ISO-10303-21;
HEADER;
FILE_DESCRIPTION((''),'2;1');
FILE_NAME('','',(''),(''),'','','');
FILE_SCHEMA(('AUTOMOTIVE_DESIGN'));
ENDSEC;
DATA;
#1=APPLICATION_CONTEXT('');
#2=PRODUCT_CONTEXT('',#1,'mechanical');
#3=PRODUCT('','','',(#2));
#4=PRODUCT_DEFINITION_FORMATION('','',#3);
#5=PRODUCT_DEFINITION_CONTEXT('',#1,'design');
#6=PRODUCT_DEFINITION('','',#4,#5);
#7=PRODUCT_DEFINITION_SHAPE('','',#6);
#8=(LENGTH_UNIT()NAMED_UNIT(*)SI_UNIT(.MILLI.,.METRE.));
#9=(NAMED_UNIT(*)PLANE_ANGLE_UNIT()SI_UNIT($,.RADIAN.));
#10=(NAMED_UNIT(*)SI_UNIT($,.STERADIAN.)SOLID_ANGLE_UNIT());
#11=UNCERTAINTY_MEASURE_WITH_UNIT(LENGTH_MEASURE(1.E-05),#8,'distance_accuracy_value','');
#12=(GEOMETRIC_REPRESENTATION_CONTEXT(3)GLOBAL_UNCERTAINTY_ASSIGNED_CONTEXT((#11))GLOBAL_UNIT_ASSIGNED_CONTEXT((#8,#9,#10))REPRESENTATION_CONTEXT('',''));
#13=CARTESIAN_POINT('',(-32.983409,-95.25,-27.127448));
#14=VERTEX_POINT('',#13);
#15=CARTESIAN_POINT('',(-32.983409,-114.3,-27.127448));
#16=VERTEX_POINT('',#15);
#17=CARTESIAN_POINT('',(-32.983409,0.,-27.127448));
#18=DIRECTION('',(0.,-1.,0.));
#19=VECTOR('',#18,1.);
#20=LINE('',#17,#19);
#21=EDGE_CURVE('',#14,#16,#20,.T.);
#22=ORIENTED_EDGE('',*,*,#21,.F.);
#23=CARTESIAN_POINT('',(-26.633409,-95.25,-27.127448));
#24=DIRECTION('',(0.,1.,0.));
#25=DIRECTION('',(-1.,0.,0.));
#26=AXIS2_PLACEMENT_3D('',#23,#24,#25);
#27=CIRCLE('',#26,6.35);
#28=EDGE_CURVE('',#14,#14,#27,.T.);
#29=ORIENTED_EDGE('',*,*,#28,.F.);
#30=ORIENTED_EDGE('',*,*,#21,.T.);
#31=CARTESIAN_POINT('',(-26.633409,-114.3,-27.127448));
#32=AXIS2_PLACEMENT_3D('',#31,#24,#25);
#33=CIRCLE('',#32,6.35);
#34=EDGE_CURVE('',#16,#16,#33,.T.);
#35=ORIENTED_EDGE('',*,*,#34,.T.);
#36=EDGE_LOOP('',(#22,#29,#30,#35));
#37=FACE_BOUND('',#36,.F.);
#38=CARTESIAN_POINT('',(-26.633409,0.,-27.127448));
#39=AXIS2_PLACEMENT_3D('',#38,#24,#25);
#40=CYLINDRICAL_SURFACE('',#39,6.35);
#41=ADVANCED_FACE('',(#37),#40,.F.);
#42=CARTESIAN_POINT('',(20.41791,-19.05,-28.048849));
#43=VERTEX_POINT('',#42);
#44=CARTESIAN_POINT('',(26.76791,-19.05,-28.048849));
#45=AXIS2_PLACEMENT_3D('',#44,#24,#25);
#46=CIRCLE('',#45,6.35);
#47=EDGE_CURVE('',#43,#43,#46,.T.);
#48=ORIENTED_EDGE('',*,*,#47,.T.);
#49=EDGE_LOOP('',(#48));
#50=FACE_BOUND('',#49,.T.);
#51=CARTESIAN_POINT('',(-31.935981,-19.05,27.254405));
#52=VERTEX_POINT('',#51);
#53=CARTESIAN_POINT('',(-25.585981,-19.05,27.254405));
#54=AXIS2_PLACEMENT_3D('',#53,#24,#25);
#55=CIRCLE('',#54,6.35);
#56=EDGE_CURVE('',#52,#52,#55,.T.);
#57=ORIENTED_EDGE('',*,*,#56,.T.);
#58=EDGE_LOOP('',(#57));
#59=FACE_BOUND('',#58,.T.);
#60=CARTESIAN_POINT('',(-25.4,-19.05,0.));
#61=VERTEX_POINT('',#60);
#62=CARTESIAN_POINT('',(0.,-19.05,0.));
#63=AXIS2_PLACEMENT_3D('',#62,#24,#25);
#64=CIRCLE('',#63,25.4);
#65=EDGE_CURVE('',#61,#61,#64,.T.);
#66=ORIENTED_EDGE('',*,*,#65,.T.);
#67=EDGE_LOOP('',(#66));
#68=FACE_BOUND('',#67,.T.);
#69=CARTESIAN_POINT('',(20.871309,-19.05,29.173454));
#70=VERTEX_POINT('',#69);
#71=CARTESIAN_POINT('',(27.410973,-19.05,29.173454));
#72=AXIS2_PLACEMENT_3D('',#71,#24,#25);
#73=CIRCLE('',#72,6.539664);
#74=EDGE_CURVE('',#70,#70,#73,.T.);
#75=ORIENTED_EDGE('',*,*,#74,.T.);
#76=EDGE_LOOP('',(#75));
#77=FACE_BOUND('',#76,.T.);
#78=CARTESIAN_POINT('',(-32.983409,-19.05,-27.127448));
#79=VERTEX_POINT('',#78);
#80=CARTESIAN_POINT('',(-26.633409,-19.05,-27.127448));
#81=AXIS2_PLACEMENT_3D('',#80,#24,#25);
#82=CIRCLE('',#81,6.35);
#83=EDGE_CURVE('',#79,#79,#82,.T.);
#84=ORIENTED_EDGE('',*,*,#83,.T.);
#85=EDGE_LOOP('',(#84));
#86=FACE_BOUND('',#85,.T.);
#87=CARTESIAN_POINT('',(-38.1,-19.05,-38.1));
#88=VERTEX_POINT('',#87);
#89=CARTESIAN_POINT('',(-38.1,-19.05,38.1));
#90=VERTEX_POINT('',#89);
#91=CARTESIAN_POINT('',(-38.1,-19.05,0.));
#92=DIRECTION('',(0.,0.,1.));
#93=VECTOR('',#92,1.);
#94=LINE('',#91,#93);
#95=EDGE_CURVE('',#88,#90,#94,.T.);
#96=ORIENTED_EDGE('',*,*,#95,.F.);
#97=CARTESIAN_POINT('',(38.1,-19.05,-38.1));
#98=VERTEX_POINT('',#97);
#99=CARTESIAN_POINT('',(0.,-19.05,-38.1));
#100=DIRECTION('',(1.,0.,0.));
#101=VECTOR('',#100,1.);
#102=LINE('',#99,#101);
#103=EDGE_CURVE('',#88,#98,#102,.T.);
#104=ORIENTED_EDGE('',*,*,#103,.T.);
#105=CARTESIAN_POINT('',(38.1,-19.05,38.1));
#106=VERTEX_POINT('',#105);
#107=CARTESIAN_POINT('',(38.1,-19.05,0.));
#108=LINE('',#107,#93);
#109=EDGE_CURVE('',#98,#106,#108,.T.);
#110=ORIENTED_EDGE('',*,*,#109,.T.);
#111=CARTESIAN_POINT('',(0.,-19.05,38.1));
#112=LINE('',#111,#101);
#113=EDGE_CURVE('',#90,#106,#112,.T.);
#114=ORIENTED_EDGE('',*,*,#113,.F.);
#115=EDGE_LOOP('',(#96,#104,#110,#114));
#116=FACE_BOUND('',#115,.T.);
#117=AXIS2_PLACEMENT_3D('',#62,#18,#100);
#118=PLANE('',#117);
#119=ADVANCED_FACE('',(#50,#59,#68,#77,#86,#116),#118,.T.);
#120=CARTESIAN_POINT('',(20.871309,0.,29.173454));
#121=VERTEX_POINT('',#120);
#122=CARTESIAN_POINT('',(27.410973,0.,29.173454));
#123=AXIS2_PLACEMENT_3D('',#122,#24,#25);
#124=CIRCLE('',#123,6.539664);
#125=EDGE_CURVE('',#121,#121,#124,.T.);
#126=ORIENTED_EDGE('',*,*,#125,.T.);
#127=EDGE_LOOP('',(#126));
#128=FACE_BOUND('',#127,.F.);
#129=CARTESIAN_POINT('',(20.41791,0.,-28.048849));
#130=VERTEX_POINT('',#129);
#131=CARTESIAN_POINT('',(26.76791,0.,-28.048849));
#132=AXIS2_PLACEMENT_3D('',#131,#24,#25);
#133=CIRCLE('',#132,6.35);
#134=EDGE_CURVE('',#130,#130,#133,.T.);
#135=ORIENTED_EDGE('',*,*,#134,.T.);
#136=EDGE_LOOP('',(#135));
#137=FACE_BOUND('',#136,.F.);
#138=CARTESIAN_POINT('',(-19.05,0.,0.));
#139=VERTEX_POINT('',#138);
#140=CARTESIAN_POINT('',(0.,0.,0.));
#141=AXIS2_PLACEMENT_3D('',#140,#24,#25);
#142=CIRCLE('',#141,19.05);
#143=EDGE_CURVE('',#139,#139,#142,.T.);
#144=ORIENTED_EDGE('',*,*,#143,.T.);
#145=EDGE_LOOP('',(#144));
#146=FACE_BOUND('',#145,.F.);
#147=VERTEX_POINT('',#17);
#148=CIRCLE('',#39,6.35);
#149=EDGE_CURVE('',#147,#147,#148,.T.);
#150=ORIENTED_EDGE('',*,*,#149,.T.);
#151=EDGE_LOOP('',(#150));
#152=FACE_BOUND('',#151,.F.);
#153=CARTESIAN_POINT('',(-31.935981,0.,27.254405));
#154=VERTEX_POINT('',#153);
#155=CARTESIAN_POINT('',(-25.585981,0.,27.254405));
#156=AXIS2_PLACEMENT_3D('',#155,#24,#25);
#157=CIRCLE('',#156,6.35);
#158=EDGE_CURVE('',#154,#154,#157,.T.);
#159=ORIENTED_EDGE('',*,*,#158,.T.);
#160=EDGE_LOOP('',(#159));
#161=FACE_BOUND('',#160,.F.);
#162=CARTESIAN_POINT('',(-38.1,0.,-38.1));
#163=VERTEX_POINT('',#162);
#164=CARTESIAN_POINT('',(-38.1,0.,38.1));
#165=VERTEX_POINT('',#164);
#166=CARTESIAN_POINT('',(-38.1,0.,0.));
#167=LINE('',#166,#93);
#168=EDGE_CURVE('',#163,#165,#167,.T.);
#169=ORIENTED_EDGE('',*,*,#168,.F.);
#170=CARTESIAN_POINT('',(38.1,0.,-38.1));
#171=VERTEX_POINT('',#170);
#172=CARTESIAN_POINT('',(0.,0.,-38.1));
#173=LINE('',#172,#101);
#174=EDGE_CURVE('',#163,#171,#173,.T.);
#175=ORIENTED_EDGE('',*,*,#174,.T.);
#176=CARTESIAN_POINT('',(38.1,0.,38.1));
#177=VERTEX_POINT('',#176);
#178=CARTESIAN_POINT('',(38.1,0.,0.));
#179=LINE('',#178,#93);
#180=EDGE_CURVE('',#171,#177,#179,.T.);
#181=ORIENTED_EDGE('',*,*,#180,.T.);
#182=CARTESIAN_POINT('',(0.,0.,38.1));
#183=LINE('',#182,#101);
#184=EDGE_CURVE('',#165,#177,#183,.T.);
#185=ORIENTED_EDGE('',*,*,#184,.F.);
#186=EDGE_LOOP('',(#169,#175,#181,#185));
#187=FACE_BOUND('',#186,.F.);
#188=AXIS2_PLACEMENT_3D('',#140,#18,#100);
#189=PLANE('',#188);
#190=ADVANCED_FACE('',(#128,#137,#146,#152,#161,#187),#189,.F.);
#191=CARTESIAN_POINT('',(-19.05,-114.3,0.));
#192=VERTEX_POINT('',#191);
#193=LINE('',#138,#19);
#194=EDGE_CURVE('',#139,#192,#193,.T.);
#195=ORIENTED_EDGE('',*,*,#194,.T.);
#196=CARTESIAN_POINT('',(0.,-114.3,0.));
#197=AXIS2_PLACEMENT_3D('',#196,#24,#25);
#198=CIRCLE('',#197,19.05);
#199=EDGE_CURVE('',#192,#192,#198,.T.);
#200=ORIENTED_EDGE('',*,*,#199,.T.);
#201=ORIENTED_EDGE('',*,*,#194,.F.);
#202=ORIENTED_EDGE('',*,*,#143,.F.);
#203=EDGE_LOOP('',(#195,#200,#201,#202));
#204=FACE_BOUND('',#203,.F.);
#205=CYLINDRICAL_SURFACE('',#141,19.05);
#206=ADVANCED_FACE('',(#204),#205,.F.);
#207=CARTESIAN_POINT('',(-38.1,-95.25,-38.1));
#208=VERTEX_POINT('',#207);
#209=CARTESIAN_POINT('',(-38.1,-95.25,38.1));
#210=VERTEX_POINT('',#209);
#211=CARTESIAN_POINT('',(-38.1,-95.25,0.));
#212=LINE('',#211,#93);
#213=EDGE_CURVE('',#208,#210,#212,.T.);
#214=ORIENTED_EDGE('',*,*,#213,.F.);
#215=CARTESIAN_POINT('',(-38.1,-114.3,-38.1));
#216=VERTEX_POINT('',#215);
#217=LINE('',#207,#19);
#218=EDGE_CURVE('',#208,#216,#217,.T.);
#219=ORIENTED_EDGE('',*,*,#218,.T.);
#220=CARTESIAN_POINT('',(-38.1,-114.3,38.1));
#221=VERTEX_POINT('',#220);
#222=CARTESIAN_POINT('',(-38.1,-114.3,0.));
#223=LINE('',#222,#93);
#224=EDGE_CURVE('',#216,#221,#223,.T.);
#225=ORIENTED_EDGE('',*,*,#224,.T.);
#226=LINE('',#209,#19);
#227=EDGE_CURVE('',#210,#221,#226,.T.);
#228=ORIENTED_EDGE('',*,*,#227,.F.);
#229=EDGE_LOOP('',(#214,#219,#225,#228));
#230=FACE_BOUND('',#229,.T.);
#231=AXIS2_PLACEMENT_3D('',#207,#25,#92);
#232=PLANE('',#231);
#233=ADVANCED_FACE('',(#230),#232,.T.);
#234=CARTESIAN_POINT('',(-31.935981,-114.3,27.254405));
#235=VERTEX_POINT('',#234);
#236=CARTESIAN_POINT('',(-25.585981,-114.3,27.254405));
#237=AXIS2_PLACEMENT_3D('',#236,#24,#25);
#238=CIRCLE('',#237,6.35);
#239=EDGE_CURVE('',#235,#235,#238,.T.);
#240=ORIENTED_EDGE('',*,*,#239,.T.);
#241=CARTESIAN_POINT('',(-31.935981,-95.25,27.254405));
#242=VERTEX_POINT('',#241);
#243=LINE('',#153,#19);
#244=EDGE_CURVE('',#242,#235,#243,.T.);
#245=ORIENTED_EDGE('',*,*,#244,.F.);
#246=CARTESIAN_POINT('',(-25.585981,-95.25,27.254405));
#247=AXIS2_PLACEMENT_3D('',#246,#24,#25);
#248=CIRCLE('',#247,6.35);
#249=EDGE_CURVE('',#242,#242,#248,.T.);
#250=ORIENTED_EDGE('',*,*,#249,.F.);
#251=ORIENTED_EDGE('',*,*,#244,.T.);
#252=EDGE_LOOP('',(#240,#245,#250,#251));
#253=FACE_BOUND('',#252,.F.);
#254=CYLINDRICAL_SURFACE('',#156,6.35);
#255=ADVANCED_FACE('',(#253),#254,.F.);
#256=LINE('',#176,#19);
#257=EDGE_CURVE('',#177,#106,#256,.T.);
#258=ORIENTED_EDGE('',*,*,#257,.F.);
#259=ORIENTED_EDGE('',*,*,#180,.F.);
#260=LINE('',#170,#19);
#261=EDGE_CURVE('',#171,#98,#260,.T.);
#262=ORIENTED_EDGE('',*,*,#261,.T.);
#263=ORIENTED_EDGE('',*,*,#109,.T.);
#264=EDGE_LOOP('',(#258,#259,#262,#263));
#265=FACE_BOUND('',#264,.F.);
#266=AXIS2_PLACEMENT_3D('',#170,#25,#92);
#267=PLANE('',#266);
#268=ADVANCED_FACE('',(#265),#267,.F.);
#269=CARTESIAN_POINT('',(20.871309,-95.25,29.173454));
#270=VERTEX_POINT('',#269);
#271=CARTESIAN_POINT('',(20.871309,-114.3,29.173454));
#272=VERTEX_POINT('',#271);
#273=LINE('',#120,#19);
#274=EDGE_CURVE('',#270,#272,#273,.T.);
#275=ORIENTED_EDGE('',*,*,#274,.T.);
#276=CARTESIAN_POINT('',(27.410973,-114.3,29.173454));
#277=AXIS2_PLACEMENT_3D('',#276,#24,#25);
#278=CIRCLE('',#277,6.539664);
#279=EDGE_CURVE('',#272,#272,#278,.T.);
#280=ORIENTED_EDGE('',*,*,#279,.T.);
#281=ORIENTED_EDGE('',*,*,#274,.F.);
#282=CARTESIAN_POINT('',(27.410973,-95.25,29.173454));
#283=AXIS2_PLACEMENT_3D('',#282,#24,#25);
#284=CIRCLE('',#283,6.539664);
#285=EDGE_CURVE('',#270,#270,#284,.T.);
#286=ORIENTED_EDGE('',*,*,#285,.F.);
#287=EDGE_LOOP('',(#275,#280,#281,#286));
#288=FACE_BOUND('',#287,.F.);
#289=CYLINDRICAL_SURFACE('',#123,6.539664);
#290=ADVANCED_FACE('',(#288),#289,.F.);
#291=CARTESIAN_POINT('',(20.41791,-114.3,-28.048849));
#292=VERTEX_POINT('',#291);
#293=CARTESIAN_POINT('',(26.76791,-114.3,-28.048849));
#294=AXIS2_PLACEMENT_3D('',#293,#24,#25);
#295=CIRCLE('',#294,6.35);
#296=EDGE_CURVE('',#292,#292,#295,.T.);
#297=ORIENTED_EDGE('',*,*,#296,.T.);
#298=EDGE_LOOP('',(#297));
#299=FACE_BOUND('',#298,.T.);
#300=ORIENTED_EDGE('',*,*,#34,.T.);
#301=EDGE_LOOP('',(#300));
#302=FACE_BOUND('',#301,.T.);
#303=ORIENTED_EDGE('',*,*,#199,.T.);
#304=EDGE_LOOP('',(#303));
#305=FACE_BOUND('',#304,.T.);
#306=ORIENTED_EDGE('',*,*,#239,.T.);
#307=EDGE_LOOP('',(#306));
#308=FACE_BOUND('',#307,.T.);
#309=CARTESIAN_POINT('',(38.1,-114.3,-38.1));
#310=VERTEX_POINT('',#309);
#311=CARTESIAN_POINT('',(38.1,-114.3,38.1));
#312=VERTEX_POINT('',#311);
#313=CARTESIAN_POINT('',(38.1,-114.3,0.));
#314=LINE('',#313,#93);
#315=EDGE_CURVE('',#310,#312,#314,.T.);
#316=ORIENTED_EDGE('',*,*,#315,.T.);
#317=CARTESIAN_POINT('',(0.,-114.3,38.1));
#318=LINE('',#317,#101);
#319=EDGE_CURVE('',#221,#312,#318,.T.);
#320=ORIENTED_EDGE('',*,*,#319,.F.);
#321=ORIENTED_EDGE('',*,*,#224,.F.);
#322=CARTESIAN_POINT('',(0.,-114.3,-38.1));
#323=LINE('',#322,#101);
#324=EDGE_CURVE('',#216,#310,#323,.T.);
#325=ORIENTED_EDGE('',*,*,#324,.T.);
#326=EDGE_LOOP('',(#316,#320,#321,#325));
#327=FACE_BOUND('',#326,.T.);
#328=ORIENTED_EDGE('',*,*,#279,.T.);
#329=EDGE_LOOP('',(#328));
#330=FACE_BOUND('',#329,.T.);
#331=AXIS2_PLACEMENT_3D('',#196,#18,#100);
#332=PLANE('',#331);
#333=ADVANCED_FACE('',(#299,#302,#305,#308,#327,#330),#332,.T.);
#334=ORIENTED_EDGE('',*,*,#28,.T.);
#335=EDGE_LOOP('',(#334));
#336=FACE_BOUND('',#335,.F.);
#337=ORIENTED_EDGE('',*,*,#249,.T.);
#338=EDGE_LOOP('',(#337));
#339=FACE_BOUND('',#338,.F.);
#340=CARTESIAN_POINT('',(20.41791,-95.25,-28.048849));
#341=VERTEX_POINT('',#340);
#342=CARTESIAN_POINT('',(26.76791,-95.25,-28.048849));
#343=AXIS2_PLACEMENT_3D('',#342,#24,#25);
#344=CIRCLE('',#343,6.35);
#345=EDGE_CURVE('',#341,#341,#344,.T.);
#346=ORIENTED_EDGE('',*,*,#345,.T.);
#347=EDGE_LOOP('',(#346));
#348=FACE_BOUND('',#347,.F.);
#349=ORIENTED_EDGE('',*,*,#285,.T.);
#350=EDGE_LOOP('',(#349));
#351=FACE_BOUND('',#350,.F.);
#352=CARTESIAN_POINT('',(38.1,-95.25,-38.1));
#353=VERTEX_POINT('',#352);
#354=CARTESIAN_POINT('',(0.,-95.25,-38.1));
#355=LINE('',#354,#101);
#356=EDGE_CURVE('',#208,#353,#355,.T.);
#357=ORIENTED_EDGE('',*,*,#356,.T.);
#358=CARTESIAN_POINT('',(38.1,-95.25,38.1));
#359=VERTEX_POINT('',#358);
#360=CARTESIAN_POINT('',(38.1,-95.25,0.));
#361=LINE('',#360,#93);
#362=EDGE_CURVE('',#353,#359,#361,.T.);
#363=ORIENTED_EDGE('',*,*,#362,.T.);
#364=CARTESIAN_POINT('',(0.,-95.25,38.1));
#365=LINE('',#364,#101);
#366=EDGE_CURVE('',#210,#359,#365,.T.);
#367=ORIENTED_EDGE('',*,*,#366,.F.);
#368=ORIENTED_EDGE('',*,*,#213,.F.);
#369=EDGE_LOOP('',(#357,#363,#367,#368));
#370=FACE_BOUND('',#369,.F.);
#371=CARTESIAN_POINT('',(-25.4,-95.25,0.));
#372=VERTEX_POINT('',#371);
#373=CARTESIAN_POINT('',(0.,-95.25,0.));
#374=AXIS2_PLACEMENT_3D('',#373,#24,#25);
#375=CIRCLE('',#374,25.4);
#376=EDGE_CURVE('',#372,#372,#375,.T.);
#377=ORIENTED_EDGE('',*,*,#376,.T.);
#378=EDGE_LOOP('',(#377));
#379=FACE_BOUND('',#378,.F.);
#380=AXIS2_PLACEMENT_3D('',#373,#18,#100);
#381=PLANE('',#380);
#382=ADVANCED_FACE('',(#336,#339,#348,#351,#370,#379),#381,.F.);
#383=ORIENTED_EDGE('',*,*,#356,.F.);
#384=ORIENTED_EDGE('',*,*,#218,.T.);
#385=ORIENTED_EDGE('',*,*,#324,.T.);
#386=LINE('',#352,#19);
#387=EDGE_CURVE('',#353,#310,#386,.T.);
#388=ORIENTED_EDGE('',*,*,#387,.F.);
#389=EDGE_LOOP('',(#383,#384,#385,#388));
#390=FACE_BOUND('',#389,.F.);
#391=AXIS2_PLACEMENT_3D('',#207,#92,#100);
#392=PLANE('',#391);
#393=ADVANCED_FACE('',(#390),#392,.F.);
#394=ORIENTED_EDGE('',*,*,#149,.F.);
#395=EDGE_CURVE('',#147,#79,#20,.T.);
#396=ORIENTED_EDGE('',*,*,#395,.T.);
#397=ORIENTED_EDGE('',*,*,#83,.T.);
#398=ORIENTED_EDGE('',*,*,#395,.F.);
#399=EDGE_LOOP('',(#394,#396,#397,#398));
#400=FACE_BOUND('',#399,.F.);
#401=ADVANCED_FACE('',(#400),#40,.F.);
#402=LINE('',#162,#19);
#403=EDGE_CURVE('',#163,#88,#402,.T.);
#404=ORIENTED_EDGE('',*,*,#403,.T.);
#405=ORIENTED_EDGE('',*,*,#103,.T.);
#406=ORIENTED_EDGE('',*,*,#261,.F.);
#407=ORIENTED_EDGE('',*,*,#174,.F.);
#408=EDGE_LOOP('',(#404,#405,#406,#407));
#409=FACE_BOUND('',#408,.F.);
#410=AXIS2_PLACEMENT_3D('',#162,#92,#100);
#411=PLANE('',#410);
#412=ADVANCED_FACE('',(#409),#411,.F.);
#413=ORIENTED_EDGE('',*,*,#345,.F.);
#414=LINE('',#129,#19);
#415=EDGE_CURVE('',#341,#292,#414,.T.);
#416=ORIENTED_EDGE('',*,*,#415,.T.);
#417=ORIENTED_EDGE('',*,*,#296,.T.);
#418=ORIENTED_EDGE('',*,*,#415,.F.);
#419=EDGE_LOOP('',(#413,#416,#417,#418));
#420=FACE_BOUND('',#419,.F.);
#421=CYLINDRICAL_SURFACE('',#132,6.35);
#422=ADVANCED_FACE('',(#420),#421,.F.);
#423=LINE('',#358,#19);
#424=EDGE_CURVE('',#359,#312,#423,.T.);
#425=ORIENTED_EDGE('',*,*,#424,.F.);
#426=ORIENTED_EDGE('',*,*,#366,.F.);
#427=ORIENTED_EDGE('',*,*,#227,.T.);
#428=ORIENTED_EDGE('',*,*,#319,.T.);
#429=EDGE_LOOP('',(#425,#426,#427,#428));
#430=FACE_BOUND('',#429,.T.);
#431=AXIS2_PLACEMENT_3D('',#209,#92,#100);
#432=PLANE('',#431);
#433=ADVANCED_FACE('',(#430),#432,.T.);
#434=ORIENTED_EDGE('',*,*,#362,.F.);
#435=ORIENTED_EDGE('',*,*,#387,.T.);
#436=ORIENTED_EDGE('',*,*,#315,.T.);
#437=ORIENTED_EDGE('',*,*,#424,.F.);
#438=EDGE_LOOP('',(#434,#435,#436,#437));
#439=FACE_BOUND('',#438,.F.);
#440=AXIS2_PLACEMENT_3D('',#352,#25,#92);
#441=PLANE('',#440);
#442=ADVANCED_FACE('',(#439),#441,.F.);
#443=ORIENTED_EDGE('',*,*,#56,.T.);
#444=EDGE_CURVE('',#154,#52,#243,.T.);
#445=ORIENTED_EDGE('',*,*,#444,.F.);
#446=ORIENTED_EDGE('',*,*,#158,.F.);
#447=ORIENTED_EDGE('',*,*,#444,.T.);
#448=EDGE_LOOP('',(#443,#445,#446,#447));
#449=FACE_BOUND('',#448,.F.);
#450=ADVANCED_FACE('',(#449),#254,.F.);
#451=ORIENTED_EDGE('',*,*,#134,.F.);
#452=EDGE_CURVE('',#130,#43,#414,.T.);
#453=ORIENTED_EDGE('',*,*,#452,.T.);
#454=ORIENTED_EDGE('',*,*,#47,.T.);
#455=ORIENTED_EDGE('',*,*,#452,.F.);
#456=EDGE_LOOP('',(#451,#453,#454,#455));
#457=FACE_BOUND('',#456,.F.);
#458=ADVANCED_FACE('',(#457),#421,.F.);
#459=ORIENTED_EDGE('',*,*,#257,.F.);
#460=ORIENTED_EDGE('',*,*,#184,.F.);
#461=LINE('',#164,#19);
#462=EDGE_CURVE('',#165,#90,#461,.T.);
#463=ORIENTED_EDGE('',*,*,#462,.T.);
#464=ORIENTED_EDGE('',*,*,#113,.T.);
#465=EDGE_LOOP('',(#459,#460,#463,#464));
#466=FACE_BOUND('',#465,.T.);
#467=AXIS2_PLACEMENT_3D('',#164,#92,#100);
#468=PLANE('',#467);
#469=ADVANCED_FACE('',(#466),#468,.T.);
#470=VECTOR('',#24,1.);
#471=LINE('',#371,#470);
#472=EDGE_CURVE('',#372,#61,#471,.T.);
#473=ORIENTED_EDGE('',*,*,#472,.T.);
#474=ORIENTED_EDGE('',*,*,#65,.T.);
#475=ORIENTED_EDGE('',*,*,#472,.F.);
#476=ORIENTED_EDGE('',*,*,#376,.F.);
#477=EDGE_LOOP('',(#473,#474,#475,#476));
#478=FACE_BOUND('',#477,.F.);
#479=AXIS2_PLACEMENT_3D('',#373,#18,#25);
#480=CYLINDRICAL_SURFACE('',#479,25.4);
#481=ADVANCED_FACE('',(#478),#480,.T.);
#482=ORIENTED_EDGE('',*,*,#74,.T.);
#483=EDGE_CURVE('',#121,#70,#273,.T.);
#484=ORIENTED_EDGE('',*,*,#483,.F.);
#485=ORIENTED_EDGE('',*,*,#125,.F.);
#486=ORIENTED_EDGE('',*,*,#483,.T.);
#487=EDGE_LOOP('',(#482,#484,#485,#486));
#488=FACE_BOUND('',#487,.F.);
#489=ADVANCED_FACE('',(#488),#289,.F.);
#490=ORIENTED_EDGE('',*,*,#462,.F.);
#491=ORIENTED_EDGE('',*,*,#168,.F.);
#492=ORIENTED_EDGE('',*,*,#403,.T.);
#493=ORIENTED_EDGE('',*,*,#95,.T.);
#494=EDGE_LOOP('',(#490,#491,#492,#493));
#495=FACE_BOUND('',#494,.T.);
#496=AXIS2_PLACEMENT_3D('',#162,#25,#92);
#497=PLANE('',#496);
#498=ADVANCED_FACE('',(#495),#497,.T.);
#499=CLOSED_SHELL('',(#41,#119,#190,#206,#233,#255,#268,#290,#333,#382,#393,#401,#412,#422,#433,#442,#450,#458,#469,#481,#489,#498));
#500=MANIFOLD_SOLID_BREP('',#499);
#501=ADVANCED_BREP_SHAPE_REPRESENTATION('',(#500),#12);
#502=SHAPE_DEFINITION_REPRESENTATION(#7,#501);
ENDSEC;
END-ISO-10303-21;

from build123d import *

# Parameters (mm, degrees)
F0_W      = 76.2
F0_H      = 76.2
F1_DEPTH  = 19.05
F2_R      = 19.05
F3_DEPTH  = 25.4
F4_R      = 19.05
F5_DEPTH  = 50.8
F6_W      = 76.2
F6_H      = 76.2
F7_DEPTH  = 19.05
F8_R      = 25.4
F9_DEPTH  = 76.2
F10_R     = 19.05
F11_DEPTH = 114.3
F12_R     = 6.35
F14_DEPTH = 114.3
F13_R     = 6.5396642154
F13_R_2   = 6.35
F15_DEPTH = 127


with BuildPart() as f1:
    # F0 (on Front) → F1 (new body)
    with BuildSketch(Plane.XZ):
        Rectangle(F0_W, F0_H)
    extrude(amount=F1_DEPTH)

    # F2 (on face) → F3 (join)
    with BuildSketch(Plane.XZ.offset(19.05)):
        Circle(F2_R)
    extrude(amount=F3_DEPTH)

    # F4 (on face) → F5 (join)
    with BuildSketch(Plane.XZ.offset(44.45)):
        Circle(F4_R)
    extrude(amount=F5_DEPTH)

    # F6 (on face) → F7 (join)
    with BuildSketch(Plane.XZ.offset(95.25)):
        Rectangle(F6_W, F6_H)
    extrude(amount=F7_DEPTH)

    # F8 (on face) → F9 (join)
    with BuildSketch(Plane(origin=(0, -95.25, 0), x_dir=(-1, 0, 0), z_dir=(0, 1, 0))):
        Circle(F8_R)
    extrude(amount=F9_DEPTH)

    # F10 (on face) → F11 (cut)
    with BuildSketch(Plane(origin=(0, 0, 0), x_dir=(-1, 0, 0), z_dir=(0, 1, 0))):
        Circle(F10_R)
    extrude(amount=-F11_DEPTH, mode=Mode.SUBTRACT)

    # F12 (on face) → F14 (cut)
    with BuildSketch(Plane(origin=(0, 0, 0), x_dir=(-1, 0, 0), z_dir=(0, 1, 0))):
        with Locations((25.5859810859, 27.2544045001)):
            Circle(F12_R)
    extrude(amount=-F14_DEPTH, mode=Mode.SUBTRACT)

    # F13 (on face) → F15 (cut)
    with BuildSketch(Plane(origin=(0, 0, 0), x_dir=(-1, 0, 0), z_dir=(0, 1, 0))):
        with Locations((-27.4109728634, 29.1734542698)):
            Circle(F13_R)
        with Locations((-26.7679095268, -28.0488487333)):
            Circle(F13_R_2)
        with Locations((26.6334090033, -27.1274481038)):
            Circle(F13_R_2)
    extrude(amount=-F15_DEPTH, mode=Mode.SUBTRACT)


solid = f1.part
